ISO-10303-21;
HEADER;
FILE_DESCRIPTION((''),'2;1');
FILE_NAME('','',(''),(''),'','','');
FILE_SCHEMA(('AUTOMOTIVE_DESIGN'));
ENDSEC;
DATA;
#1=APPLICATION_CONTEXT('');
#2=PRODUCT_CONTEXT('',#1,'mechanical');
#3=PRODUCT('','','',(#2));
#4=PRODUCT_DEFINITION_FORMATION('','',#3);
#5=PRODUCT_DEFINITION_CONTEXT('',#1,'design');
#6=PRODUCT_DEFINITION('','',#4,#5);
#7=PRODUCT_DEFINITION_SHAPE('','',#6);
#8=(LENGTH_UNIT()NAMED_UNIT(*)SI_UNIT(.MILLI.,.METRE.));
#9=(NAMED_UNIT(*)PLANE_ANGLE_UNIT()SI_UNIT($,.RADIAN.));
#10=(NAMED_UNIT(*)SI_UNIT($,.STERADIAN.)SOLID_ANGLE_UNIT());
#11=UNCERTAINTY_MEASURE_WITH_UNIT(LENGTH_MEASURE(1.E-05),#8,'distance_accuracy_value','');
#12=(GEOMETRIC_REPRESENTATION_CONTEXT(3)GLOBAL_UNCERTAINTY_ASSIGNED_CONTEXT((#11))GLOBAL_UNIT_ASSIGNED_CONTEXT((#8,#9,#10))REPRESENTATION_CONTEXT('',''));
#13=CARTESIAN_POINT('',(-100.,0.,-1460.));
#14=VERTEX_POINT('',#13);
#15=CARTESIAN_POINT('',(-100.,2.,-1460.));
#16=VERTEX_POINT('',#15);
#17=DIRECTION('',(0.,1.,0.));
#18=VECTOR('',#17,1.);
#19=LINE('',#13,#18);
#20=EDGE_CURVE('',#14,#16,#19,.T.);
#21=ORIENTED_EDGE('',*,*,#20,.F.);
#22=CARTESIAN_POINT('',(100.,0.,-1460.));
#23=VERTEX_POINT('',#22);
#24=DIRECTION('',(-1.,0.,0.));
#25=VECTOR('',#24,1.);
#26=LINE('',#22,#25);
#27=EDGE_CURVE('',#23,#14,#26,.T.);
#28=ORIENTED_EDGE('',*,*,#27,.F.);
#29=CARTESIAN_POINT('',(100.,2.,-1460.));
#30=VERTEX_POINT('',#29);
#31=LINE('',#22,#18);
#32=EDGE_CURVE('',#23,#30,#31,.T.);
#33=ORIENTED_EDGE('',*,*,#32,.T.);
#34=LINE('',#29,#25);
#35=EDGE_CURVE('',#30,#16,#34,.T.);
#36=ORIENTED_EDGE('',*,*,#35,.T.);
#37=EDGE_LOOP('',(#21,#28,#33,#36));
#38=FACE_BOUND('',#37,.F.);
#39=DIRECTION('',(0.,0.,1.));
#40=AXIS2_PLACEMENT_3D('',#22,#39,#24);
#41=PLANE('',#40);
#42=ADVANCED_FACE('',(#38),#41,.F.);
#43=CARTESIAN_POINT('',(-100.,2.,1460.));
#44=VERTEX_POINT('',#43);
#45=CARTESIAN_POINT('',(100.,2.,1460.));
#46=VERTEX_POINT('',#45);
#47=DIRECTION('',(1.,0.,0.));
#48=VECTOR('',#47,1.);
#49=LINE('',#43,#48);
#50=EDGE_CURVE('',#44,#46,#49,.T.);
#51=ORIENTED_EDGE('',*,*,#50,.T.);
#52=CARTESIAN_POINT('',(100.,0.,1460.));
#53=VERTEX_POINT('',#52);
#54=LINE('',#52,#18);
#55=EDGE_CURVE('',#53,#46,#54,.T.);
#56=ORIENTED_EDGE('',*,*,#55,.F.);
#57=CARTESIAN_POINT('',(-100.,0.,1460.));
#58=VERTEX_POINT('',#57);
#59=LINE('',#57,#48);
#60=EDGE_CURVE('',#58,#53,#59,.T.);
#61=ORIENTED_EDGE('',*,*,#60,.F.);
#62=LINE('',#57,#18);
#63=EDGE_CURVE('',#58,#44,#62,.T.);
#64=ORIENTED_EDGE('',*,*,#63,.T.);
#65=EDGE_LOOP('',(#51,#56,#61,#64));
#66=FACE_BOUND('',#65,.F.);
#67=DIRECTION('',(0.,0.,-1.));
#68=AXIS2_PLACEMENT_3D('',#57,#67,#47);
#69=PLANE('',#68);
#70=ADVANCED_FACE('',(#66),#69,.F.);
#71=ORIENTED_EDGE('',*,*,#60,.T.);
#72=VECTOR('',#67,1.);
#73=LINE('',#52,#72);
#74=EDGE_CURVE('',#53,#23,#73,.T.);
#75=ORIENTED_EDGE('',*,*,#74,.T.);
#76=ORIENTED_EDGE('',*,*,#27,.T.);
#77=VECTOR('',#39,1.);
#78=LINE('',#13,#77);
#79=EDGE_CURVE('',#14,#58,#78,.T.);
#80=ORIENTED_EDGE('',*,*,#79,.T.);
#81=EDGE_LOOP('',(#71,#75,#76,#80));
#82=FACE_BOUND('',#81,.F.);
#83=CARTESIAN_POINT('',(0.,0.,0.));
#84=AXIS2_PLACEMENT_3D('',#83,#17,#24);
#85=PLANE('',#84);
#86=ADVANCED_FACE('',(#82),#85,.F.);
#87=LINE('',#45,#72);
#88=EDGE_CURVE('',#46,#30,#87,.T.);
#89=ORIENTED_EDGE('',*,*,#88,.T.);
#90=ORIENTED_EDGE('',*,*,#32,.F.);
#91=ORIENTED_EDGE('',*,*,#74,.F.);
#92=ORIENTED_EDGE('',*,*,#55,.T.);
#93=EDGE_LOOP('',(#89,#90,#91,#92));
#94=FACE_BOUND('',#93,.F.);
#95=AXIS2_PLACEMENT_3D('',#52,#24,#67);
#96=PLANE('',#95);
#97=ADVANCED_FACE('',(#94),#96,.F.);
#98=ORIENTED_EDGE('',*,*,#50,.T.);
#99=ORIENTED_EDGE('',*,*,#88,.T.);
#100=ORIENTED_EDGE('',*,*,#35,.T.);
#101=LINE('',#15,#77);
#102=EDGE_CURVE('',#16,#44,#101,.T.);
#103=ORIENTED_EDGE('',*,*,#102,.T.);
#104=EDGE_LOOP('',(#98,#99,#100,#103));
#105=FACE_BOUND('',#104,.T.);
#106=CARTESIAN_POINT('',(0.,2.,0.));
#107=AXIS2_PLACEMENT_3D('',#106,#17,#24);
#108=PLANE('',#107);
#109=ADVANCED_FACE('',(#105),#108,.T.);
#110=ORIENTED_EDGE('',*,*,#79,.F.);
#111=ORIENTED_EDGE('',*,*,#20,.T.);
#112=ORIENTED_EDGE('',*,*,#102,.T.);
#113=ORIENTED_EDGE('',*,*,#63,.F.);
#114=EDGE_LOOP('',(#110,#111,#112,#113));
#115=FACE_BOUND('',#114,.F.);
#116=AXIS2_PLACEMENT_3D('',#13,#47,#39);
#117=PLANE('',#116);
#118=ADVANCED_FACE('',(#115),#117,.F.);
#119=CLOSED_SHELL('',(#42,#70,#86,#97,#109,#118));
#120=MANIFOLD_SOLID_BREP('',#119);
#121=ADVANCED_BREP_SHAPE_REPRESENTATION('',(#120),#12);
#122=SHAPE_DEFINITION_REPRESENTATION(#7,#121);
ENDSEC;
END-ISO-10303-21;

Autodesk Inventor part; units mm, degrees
ref_plane "YZ Plane" through (0, 0, 0) normal (1, 0, 0) x (0, 1, 0)
ref_plane "XZ Plane" through (0, 0, 0) normal (0, 1, 0) x (-1, 0, 0)
ref_plane "XY Plane" through (0, 0, 0) normal (0, 0, 1) x (1, 0, 0)
sketch "Sketch1" plane through (0, 0, 0) normal (0, 1, 0) x (-1, 0, 0)
  line L0 (100, 1460) -> (-100, 1460)
  line L1 (-100, 1460) -> (-100, -1460)
  line L2 (-100, -1460) -> (100, -1460)
  line L3 (100, -1460) -> (100, 1460)
  line L4 (100, 1460) -> (-100, -1460) construction
  point P0 (0, 0)
  point P1 (0, 0)
  dimension "d0" = 200
  dimension "d1" = 2920
extrude "Plate1" add sketch "Sketch1" along normal blind 2
equation "\"d2\" = Thickness"
equation "\"BendReliefWidth\" = Thickness"
equation "\"BendReliefDepth\" = 0.5 * Thickness"
equation "\"CornerReliefSize\" = 4 * Thickness"
equation "\"MinimumRemnant\" = 2 * Thickness"
equation "\"TransitionRadius\" = BendRadius"
equation "\"JacobiRadiusSize\" = BendRadius"
equation "\"GapSize\" = Thickness"
equation "\"Thickness\" = 2"
equation "\"BendRadius\" = 2.75"
properties part number "ASY Рама №2 платформа1" material "Stainless Steel"
